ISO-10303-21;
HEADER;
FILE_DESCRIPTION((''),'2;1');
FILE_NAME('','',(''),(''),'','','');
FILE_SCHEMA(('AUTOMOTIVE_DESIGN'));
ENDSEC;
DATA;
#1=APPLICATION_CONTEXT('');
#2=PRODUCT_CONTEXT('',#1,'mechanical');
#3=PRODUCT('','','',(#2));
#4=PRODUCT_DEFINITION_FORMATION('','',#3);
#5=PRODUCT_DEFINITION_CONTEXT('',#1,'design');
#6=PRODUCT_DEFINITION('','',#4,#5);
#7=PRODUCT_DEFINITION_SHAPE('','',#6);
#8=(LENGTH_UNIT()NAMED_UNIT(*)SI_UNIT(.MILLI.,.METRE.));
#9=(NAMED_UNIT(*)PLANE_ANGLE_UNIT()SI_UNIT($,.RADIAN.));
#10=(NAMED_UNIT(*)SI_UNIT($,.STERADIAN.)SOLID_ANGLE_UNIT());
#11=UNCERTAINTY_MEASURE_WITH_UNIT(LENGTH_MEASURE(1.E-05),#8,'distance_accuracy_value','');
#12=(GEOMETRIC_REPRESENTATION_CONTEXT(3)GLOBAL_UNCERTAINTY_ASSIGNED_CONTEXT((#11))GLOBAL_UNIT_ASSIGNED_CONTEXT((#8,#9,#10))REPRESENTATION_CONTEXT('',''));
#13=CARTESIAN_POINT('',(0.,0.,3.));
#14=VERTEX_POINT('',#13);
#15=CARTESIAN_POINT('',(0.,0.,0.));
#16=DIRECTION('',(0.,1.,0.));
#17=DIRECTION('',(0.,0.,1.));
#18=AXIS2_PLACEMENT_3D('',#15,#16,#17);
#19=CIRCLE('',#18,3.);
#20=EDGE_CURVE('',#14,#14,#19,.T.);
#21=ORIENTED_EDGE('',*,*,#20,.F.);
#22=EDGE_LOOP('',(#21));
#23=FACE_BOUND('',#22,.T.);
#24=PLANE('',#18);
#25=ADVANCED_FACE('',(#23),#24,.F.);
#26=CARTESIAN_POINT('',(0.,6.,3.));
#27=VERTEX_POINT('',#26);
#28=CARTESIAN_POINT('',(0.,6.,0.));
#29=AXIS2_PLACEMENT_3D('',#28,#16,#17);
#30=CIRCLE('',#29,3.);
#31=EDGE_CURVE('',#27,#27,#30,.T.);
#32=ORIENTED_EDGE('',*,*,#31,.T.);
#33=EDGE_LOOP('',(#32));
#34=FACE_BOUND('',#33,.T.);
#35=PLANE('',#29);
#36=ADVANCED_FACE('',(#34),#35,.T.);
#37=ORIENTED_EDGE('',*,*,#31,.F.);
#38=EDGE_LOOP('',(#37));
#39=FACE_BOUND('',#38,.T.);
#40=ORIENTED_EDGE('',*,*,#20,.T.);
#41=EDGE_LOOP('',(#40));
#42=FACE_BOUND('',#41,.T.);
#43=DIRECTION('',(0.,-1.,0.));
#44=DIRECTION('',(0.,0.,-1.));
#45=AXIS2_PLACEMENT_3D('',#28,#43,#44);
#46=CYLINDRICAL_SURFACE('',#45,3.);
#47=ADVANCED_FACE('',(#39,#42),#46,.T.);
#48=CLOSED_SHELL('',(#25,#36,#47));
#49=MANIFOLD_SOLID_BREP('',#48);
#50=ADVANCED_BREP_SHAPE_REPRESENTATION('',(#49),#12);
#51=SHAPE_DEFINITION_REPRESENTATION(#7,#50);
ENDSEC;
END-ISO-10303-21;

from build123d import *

# Parameters (mm, degrees)
CROQUIS1_R              = 3
SALIENTE_EXTRUIR1_DEPTH = 6


with BuildPart() as part:
    # Croquis1 → Saliente-Extruir1 (new body)
    with BuildSketch(Plane(origin=(0, 0, 0), x_dir=(1, 0, 0), z_dir=(0, 1, 0))):
        Circle(CROQUIS1_R)
    extrude(amount=SALIENTE_EXTRUIR1_DEPTH)


solid = part.part
